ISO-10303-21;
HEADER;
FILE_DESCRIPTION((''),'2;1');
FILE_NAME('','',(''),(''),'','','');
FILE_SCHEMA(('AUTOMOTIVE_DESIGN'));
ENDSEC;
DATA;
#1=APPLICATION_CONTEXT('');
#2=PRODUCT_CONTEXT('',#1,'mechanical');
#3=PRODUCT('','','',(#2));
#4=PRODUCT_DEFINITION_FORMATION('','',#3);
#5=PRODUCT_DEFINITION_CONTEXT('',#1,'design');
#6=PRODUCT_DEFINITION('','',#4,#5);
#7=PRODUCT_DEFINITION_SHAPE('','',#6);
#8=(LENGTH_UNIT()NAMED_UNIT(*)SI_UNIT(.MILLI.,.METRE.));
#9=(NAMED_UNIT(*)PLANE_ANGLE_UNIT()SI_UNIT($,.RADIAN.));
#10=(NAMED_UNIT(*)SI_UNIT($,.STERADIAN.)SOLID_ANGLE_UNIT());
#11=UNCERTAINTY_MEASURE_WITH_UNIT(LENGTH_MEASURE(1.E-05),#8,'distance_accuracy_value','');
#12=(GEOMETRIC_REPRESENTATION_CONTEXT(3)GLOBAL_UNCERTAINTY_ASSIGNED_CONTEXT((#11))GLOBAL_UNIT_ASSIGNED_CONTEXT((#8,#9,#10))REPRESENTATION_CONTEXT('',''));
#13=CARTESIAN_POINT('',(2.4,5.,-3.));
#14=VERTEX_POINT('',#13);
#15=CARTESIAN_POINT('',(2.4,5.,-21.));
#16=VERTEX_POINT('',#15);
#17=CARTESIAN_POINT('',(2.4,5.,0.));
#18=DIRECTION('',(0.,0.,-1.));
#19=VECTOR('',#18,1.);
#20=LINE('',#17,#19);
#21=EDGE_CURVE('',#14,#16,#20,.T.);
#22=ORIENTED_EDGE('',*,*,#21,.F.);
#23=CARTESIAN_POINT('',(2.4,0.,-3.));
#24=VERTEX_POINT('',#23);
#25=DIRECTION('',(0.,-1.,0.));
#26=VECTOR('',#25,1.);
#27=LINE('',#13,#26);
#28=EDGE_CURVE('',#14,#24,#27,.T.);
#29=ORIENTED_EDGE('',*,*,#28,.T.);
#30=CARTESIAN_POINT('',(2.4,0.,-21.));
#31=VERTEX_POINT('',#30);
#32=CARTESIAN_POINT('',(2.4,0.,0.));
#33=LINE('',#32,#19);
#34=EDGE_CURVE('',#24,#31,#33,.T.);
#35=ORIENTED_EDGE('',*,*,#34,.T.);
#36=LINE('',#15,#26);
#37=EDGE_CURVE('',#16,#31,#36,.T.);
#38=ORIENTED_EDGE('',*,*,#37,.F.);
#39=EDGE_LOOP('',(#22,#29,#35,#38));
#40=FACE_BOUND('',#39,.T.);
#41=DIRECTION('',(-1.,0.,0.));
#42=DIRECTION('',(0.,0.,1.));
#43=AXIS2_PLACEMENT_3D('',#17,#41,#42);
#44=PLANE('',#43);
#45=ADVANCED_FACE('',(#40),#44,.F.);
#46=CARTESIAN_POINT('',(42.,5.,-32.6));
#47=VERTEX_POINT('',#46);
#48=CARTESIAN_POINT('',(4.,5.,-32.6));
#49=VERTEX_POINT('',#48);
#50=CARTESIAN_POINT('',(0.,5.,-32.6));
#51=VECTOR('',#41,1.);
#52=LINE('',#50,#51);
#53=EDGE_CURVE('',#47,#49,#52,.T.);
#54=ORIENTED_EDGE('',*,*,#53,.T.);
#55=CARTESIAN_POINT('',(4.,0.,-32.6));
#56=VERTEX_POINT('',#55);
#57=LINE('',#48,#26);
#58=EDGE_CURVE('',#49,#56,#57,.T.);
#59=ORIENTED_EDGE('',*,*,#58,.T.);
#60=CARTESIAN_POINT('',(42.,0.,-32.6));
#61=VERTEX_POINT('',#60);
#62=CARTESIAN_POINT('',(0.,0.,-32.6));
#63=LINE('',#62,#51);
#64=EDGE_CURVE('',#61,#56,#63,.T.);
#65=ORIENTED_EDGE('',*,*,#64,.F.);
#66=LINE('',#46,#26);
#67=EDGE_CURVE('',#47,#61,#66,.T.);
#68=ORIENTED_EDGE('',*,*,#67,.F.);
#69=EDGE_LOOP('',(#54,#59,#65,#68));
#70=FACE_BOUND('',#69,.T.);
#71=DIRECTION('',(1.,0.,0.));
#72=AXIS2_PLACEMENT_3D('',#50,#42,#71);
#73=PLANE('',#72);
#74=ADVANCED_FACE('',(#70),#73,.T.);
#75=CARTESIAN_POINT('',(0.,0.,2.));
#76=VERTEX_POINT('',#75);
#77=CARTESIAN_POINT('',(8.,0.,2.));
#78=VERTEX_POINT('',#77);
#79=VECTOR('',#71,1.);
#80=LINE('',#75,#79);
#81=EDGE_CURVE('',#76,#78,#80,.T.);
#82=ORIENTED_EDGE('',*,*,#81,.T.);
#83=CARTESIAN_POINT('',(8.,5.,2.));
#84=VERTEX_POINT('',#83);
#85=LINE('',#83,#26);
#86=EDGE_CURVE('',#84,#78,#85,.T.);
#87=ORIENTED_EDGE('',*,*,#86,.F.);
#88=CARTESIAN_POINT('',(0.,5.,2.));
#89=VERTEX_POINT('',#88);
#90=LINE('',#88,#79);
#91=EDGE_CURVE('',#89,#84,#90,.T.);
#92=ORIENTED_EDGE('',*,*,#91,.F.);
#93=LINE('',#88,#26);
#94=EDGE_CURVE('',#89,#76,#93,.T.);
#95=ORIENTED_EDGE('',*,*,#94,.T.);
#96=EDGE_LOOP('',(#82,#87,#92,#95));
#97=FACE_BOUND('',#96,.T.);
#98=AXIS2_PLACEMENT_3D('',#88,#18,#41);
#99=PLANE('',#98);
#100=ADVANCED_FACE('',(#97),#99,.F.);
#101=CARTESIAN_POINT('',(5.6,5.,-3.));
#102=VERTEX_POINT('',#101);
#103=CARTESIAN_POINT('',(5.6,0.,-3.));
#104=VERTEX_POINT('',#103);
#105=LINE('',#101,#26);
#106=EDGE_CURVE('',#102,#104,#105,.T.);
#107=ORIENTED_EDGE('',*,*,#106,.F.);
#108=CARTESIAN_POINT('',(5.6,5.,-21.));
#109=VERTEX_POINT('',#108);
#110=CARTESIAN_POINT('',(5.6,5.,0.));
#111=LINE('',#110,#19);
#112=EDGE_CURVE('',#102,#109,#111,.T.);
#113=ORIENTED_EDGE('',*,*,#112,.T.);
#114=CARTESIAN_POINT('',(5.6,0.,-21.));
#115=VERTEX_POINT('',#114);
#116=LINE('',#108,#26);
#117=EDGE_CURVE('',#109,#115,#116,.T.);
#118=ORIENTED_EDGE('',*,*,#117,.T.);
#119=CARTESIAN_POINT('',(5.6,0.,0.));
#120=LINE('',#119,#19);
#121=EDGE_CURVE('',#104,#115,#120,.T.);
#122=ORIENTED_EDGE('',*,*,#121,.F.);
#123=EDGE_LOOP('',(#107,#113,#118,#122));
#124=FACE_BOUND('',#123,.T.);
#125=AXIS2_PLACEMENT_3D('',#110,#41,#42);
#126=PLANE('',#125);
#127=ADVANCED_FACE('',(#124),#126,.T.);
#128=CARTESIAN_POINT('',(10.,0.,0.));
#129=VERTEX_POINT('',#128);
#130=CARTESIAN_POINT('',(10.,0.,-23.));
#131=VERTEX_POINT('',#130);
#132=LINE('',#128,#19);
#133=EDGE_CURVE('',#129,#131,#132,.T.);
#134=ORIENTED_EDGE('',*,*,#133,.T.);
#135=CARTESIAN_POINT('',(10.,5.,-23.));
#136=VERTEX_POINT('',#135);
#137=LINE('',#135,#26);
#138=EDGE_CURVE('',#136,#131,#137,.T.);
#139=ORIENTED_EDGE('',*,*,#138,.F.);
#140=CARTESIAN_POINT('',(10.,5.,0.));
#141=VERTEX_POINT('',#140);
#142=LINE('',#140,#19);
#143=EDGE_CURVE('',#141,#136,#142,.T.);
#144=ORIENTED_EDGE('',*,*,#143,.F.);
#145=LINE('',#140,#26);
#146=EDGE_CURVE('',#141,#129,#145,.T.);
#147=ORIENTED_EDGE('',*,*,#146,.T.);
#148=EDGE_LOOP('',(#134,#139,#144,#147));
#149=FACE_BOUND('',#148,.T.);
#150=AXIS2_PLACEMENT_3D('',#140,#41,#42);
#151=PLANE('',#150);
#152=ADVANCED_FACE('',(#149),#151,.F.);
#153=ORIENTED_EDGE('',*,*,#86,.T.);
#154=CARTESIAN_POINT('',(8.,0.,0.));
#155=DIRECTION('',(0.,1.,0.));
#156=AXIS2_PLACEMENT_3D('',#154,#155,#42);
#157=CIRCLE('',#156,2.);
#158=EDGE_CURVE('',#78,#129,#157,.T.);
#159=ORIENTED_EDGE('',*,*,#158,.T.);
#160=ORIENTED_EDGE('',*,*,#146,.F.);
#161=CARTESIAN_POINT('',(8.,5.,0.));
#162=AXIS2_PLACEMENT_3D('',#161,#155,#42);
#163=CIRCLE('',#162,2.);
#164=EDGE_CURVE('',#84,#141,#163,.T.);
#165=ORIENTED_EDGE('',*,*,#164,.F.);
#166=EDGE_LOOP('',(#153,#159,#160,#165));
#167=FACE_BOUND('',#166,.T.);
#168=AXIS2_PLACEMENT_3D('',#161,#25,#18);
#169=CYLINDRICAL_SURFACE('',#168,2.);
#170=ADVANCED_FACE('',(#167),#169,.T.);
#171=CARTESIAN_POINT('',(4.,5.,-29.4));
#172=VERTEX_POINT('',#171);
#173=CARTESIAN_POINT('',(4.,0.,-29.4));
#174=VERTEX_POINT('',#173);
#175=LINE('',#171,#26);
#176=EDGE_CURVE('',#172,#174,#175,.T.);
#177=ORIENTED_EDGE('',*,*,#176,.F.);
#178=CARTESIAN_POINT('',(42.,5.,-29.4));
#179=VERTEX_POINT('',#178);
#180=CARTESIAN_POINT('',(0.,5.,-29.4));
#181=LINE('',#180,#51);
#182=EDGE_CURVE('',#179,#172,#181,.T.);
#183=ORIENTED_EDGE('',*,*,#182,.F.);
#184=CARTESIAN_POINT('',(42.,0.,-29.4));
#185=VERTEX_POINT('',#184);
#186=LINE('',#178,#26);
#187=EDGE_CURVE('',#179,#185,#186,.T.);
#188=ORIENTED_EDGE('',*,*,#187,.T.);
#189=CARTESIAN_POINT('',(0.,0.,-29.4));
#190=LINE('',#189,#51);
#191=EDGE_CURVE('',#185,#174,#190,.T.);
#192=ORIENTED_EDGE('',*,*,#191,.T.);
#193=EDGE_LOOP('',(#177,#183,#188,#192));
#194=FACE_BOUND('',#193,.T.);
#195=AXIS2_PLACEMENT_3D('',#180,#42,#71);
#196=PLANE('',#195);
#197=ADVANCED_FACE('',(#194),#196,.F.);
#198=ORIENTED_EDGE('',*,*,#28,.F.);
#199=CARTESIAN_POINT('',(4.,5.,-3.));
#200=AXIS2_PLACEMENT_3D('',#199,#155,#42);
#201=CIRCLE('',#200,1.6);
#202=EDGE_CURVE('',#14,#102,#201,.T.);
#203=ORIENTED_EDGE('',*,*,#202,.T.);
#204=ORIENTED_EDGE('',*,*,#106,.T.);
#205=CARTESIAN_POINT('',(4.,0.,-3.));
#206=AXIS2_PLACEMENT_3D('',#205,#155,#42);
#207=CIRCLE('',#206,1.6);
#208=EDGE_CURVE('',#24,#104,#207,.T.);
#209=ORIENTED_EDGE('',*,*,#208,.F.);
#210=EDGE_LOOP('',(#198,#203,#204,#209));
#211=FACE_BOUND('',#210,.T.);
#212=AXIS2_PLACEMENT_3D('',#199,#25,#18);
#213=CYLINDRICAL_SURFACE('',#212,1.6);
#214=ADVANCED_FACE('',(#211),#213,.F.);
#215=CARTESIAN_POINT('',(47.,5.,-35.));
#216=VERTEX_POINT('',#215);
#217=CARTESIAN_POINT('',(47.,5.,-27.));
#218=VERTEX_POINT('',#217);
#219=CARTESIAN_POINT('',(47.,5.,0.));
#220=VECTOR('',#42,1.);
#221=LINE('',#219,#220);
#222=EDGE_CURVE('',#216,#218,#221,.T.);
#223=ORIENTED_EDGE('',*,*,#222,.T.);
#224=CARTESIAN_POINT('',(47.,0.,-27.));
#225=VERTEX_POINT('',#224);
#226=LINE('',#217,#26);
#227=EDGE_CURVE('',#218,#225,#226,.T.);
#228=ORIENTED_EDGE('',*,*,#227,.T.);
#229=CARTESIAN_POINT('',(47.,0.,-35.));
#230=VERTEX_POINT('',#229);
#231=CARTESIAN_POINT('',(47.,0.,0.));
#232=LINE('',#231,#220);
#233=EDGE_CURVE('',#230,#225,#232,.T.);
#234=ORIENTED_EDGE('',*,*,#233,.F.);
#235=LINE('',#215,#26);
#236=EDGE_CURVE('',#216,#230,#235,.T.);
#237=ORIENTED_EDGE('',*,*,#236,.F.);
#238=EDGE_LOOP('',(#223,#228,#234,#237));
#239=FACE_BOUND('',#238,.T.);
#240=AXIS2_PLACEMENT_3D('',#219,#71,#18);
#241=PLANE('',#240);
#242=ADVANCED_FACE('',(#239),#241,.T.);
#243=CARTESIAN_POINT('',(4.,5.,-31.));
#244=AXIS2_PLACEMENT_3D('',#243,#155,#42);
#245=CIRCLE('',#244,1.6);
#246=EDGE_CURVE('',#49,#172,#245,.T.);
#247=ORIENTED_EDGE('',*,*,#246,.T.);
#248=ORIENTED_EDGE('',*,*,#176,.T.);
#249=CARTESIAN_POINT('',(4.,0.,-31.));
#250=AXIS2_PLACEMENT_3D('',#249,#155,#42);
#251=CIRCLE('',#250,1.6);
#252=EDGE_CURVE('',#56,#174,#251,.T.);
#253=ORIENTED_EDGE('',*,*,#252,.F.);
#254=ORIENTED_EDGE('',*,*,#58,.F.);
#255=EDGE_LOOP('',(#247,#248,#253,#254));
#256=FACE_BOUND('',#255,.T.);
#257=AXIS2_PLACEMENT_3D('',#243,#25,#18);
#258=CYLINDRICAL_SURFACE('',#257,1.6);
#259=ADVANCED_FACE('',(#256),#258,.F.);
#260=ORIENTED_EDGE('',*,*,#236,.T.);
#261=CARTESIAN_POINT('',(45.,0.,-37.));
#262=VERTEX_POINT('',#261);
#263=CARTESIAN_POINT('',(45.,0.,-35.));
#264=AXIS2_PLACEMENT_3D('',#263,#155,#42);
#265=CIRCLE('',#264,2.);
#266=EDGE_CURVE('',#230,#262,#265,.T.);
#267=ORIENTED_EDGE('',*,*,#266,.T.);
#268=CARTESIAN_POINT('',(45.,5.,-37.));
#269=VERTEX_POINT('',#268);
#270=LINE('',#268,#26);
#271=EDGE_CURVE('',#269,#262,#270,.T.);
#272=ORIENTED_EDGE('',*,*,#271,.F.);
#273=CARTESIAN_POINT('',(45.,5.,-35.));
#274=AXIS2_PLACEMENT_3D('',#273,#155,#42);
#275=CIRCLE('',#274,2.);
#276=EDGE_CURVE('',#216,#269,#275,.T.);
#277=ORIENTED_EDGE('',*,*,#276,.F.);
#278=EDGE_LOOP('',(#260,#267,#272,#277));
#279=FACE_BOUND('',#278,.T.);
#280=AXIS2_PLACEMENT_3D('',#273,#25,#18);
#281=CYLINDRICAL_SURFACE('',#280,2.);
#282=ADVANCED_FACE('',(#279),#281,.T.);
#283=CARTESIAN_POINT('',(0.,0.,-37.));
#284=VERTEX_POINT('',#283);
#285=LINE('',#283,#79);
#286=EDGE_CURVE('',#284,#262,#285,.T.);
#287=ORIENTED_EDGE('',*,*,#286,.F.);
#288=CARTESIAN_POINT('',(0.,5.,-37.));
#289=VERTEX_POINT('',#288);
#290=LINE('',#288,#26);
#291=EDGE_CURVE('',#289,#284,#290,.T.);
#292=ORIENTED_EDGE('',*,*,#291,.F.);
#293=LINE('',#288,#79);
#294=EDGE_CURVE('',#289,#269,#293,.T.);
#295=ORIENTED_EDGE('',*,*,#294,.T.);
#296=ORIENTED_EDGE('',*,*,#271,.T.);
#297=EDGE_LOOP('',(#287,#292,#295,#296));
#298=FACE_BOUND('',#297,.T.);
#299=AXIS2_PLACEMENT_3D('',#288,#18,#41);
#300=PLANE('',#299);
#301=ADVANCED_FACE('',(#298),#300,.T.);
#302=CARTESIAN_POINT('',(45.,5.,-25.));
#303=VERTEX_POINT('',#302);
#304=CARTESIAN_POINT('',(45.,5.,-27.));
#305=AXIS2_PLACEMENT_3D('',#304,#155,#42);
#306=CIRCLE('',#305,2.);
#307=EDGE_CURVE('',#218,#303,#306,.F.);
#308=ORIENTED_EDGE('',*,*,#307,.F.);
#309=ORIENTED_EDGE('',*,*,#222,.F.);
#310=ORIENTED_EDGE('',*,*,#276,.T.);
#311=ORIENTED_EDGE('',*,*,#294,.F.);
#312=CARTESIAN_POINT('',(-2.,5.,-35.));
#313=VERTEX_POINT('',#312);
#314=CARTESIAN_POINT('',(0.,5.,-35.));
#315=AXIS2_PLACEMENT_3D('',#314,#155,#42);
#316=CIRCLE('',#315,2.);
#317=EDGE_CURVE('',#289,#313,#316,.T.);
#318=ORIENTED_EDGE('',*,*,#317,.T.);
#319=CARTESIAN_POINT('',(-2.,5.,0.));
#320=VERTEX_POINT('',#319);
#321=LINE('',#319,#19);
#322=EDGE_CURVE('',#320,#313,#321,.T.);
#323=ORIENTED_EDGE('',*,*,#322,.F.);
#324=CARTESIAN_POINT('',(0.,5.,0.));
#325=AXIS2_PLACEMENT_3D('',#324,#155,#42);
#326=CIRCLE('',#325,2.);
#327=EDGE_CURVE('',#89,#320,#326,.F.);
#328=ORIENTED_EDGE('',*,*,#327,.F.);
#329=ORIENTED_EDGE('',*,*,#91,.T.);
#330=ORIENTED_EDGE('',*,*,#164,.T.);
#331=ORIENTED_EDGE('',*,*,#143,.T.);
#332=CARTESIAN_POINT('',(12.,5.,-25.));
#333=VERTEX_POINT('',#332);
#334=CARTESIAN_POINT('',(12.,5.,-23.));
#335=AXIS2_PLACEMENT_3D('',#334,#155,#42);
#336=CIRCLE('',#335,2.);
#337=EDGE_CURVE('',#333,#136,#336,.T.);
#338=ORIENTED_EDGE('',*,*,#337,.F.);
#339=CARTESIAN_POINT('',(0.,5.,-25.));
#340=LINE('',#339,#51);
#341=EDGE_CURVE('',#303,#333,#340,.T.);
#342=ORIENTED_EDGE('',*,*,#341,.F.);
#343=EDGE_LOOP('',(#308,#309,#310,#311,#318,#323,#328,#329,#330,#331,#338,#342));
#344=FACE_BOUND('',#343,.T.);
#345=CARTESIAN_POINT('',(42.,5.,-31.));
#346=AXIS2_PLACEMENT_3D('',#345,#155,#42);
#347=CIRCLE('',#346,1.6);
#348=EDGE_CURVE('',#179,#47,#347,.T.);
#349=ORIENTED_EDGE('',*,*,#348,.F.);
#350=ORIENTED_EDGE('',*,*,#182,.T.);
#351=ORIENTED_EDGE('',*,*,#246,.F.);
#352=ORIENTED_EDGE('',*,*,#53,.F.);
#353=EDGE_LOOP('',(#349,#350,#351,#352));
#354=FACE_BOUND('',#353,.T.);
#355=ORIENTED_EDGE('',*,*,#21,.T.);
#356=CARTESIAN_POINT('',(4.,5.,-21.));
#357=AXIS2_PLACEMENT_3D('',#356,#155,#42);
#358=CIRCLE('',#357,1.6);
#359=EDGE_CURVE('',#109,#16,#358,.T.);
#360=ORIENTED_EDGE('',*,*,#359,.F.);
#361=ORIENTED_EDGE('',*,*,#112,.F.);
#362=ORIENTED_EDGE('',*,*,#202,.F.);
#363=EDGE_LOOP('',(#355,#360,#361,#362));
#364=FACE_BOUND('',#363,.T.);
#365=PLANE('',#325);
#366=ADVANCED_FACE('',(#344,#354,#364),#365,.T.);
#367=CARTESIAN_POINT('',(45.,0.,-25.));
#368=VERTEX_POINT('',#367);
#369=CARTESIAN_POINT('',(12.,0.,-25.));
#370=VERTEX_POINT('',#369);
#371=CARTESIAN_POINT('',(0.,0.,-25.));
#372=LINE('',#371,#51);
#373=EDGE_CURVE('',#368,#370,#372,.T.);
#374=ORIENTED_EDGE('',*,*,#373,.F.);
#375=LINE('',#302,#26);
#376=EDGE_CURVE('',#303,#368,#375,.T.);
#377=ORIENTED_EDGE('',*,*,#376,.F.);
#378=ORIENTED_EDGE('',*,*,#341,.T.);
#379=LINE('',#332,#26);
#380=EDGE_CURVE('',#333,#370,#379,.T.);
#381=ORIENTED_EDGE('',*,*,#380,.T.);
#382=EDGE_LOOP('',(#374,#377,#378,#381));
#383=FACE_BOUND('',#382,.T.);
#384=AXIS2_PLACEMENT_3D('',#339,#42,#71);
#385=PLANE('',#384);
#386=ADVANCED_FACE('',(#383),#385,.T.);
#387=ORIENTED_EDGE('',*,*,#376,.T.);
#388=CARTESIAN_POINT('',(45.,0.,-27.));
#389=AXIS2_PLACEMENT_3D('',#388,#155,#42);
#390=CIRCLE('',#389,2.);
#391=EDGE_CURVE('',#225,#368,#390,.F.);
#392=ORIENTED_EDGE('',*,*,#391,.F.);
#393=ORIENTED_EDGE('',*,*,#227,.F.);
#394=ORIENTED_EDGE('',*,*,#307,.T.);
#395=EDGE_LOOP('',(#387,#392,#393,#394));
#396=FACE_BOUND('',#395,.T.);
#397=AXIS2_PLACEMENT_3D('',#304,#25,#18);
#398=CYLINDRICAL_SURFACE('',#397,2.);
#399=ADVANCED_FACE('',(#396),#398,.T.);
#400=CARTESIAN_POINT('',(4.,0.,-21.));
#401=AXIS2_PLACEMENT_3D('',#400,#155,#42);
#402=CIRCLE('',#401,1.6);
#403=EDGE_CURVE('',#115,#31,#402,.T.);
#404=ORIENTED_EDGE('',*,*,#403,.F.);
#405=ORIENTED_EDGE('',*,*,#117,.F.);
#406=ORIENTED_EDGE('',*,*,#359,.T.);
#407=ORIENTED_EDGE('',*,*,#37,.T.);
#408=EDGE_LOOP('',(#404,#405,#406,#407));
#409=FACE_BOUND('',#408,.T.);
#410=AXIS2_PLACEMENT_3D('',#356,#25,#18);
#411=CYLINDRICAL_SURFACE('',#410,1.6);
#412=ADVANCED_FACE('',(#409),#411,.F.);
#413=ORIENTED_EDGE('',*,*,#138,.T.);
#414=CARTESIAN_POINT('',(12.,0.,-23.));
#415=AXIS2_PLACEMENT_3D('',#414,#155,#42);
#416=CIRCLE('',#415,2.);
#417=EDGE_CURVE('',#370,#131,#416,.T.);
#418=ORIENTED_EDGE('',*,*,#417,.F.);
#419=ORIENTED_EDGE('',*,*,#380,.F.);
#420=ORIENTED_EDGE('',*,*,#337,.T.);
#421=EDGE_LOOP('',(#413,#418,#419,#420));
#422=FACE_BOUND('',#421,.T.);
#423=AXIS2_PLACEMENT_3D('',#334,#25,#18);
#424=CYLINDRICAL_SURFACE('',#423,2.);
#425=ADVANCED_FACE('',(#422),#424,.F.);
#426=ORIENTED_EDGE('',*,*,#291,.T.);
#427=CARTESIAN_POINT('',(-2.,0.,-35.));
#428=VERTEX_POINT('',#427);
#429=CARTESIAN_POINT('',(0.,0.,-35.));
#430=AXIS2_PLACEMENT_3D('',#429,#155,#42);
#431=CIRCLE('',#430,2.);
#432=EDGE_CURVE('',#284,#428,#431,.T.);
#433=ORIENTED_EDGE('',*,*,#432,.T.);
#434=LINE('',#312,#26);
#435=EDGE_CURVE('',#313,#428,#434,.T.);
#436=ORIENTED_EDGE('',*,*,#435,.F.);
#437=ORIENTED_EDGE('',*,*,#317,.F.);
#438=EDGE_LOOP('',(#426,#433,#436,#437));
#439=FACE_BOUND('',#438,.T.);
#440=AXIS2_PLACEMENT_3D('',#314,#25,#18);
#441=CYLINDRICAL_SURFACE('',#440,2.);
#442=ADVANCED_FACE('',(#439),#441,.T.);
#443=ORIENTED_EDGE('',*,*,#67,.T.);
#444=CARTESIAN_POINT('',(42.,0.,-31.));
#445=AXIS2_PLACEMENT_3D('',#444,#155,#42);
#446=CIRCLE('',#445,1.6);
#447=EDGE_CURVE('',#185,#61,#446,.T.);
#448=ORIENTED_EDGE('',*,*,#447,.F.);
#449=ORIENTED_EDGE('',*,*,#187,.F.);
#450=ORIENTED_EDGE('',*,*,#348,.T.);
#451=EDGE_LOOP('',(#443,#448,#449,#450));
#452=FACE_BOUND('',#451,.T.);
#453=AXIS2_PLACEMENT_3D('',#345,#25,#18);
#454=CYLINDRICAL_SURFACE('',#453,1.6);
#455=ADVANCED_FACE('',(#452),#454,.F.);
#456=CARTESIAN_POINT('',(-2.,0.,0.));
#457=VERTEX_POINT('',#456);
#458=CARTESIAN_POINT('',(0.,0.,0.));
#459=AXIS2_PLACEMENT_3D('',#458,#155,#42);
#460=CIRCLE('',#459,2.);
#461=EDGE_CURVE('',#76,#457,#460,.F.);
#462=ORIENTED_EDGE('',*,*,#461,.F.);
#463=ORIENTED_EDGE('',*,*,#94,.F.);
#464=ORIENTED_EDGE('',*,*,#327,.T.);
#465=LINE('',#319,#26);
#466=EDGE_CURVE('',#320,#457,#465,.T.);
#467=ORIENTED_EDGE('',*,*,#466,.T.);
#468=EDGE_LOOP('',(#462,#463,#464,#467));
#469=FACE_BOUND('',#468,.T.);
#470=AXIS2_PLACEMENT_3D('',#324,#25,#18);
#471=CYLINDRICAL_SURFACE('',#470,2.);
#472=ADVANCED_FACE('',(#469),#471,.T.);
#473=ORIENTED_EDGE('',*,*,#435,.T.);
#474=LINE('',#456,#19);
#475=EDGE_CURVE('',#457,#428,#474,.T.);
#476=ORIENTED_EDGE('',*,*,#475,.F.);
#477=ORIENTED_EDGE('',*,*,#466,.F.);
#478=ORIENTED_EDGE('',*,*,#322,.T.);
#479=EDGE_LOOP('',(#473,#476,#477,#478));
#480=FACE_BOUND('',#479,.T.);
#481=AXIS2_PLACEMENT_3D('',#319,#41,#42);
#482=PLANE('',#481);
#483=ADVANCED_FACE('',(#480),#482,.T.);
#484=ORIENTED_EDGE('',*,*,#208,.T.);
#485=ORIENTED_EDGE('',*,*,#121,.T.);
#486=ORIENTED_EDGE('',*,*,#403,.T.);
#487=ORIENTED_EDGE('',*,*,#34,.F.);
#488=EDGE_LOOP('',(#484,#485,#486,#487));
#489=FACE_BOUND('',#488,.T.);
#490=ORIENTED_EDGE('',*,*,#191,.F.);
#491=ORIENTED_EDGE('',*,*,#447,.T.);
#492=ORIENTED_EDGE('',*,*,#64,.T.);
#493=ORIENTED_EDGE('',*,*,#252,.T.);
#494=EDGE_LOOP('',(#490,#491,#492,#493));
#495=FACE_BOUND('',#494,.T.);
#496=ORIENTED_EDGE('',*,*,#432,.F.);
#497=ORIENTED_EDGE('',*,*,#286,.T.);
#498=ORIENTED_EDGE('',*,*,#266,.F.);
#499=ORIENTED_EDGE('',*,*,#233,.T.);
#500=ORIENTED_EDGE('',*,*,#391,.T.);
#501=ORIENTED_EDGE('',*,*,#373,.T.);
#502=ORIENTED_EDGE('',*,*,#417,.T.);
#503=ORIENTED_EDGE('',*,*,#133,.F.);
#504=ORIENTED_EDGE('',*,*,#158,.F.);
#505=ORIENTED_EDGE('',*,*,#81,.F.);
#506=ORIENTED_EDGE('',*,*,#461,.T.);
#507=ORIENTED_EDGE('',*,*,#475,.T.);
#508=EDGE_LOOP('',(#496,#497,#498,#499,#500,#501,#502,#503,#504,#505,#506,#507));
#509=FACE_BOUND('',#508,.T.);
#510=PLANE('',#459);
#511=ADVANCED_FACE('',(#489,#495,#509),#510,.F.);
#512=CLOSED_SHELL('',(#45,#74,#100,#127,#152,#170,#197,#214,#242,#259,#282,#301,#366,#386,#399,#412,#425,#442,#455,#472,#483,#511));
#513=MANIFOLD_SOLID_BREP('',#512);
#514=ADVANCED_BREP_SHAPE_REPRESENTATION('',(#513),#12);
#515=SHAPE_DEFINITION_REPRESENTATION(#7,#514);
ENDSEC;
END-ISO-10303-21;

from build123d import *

# Parameters (mm, degrees)
BOSS_EXTRUDE1_DEPTH = 5


with BuildPart() as part:
    # Sketch1 → Boss-Extrude1 (new body)
    with BuildSketch(Plane(origin=(0, 0, 0), x_dir=(1, 0, 0), z_dir=(0, 1, 0))):
        with BuildLine():
            Line((0, -2), (8, -2))
            ThreePointArc((8, -2), (9.414213562, -1.414213562), (10, 0))
            Line((10, 0), (10, 23))
            ThreePointArc((10, 23), (10.585786438, 24.414213562), (12, 25))
            Line((12, 25), (45, 25))
            ThreePointArc((45, 25), (46.414213562, 25.585786438), (47, 27))
            Line((47, 27), (47, 35))
            ThreePointArc((47, 35), (46.414213562, 36.414213562), (45, 37))
            Line((45, 37), (0, 37))
            ThreePointArc((0, 37), (-1.414213562, 36.414213562), (-2, 35))
            Line((-2, 35), (-2, 0))
            ThreePointArc((-2, 0), (-1.414213562, -1.414213562), (0, -2))
        make_face()
        with BuildLine():
            Line((42, 29.4), (4, 29.4))
            ThreePointArc((4, 29.4), (2.4, 31), (4, 32.6))
            Line((4, 32.6), (42, 32.6))
            ThreePointArc((42, 32.6), (43.6, 31), (42, 29.4))
        make_face(mode=Mode.SUBTRACT)
        with BuildLine():
            Line((2.4, 3), (2.4, 21))
            ThreePointArc((2.4, 21), (4, 22.6), (5.6, 21))
            Line((5.6, 21), (5.6, 3))
            ThreePointArc((5.6, 3), (4, 1.4), (2.4, 3))
        make_face(mode=Mode.SUBTRACT)
    extrude(amount=BOSS_EXTRUDE1_DEPTH)


solid = part.part
